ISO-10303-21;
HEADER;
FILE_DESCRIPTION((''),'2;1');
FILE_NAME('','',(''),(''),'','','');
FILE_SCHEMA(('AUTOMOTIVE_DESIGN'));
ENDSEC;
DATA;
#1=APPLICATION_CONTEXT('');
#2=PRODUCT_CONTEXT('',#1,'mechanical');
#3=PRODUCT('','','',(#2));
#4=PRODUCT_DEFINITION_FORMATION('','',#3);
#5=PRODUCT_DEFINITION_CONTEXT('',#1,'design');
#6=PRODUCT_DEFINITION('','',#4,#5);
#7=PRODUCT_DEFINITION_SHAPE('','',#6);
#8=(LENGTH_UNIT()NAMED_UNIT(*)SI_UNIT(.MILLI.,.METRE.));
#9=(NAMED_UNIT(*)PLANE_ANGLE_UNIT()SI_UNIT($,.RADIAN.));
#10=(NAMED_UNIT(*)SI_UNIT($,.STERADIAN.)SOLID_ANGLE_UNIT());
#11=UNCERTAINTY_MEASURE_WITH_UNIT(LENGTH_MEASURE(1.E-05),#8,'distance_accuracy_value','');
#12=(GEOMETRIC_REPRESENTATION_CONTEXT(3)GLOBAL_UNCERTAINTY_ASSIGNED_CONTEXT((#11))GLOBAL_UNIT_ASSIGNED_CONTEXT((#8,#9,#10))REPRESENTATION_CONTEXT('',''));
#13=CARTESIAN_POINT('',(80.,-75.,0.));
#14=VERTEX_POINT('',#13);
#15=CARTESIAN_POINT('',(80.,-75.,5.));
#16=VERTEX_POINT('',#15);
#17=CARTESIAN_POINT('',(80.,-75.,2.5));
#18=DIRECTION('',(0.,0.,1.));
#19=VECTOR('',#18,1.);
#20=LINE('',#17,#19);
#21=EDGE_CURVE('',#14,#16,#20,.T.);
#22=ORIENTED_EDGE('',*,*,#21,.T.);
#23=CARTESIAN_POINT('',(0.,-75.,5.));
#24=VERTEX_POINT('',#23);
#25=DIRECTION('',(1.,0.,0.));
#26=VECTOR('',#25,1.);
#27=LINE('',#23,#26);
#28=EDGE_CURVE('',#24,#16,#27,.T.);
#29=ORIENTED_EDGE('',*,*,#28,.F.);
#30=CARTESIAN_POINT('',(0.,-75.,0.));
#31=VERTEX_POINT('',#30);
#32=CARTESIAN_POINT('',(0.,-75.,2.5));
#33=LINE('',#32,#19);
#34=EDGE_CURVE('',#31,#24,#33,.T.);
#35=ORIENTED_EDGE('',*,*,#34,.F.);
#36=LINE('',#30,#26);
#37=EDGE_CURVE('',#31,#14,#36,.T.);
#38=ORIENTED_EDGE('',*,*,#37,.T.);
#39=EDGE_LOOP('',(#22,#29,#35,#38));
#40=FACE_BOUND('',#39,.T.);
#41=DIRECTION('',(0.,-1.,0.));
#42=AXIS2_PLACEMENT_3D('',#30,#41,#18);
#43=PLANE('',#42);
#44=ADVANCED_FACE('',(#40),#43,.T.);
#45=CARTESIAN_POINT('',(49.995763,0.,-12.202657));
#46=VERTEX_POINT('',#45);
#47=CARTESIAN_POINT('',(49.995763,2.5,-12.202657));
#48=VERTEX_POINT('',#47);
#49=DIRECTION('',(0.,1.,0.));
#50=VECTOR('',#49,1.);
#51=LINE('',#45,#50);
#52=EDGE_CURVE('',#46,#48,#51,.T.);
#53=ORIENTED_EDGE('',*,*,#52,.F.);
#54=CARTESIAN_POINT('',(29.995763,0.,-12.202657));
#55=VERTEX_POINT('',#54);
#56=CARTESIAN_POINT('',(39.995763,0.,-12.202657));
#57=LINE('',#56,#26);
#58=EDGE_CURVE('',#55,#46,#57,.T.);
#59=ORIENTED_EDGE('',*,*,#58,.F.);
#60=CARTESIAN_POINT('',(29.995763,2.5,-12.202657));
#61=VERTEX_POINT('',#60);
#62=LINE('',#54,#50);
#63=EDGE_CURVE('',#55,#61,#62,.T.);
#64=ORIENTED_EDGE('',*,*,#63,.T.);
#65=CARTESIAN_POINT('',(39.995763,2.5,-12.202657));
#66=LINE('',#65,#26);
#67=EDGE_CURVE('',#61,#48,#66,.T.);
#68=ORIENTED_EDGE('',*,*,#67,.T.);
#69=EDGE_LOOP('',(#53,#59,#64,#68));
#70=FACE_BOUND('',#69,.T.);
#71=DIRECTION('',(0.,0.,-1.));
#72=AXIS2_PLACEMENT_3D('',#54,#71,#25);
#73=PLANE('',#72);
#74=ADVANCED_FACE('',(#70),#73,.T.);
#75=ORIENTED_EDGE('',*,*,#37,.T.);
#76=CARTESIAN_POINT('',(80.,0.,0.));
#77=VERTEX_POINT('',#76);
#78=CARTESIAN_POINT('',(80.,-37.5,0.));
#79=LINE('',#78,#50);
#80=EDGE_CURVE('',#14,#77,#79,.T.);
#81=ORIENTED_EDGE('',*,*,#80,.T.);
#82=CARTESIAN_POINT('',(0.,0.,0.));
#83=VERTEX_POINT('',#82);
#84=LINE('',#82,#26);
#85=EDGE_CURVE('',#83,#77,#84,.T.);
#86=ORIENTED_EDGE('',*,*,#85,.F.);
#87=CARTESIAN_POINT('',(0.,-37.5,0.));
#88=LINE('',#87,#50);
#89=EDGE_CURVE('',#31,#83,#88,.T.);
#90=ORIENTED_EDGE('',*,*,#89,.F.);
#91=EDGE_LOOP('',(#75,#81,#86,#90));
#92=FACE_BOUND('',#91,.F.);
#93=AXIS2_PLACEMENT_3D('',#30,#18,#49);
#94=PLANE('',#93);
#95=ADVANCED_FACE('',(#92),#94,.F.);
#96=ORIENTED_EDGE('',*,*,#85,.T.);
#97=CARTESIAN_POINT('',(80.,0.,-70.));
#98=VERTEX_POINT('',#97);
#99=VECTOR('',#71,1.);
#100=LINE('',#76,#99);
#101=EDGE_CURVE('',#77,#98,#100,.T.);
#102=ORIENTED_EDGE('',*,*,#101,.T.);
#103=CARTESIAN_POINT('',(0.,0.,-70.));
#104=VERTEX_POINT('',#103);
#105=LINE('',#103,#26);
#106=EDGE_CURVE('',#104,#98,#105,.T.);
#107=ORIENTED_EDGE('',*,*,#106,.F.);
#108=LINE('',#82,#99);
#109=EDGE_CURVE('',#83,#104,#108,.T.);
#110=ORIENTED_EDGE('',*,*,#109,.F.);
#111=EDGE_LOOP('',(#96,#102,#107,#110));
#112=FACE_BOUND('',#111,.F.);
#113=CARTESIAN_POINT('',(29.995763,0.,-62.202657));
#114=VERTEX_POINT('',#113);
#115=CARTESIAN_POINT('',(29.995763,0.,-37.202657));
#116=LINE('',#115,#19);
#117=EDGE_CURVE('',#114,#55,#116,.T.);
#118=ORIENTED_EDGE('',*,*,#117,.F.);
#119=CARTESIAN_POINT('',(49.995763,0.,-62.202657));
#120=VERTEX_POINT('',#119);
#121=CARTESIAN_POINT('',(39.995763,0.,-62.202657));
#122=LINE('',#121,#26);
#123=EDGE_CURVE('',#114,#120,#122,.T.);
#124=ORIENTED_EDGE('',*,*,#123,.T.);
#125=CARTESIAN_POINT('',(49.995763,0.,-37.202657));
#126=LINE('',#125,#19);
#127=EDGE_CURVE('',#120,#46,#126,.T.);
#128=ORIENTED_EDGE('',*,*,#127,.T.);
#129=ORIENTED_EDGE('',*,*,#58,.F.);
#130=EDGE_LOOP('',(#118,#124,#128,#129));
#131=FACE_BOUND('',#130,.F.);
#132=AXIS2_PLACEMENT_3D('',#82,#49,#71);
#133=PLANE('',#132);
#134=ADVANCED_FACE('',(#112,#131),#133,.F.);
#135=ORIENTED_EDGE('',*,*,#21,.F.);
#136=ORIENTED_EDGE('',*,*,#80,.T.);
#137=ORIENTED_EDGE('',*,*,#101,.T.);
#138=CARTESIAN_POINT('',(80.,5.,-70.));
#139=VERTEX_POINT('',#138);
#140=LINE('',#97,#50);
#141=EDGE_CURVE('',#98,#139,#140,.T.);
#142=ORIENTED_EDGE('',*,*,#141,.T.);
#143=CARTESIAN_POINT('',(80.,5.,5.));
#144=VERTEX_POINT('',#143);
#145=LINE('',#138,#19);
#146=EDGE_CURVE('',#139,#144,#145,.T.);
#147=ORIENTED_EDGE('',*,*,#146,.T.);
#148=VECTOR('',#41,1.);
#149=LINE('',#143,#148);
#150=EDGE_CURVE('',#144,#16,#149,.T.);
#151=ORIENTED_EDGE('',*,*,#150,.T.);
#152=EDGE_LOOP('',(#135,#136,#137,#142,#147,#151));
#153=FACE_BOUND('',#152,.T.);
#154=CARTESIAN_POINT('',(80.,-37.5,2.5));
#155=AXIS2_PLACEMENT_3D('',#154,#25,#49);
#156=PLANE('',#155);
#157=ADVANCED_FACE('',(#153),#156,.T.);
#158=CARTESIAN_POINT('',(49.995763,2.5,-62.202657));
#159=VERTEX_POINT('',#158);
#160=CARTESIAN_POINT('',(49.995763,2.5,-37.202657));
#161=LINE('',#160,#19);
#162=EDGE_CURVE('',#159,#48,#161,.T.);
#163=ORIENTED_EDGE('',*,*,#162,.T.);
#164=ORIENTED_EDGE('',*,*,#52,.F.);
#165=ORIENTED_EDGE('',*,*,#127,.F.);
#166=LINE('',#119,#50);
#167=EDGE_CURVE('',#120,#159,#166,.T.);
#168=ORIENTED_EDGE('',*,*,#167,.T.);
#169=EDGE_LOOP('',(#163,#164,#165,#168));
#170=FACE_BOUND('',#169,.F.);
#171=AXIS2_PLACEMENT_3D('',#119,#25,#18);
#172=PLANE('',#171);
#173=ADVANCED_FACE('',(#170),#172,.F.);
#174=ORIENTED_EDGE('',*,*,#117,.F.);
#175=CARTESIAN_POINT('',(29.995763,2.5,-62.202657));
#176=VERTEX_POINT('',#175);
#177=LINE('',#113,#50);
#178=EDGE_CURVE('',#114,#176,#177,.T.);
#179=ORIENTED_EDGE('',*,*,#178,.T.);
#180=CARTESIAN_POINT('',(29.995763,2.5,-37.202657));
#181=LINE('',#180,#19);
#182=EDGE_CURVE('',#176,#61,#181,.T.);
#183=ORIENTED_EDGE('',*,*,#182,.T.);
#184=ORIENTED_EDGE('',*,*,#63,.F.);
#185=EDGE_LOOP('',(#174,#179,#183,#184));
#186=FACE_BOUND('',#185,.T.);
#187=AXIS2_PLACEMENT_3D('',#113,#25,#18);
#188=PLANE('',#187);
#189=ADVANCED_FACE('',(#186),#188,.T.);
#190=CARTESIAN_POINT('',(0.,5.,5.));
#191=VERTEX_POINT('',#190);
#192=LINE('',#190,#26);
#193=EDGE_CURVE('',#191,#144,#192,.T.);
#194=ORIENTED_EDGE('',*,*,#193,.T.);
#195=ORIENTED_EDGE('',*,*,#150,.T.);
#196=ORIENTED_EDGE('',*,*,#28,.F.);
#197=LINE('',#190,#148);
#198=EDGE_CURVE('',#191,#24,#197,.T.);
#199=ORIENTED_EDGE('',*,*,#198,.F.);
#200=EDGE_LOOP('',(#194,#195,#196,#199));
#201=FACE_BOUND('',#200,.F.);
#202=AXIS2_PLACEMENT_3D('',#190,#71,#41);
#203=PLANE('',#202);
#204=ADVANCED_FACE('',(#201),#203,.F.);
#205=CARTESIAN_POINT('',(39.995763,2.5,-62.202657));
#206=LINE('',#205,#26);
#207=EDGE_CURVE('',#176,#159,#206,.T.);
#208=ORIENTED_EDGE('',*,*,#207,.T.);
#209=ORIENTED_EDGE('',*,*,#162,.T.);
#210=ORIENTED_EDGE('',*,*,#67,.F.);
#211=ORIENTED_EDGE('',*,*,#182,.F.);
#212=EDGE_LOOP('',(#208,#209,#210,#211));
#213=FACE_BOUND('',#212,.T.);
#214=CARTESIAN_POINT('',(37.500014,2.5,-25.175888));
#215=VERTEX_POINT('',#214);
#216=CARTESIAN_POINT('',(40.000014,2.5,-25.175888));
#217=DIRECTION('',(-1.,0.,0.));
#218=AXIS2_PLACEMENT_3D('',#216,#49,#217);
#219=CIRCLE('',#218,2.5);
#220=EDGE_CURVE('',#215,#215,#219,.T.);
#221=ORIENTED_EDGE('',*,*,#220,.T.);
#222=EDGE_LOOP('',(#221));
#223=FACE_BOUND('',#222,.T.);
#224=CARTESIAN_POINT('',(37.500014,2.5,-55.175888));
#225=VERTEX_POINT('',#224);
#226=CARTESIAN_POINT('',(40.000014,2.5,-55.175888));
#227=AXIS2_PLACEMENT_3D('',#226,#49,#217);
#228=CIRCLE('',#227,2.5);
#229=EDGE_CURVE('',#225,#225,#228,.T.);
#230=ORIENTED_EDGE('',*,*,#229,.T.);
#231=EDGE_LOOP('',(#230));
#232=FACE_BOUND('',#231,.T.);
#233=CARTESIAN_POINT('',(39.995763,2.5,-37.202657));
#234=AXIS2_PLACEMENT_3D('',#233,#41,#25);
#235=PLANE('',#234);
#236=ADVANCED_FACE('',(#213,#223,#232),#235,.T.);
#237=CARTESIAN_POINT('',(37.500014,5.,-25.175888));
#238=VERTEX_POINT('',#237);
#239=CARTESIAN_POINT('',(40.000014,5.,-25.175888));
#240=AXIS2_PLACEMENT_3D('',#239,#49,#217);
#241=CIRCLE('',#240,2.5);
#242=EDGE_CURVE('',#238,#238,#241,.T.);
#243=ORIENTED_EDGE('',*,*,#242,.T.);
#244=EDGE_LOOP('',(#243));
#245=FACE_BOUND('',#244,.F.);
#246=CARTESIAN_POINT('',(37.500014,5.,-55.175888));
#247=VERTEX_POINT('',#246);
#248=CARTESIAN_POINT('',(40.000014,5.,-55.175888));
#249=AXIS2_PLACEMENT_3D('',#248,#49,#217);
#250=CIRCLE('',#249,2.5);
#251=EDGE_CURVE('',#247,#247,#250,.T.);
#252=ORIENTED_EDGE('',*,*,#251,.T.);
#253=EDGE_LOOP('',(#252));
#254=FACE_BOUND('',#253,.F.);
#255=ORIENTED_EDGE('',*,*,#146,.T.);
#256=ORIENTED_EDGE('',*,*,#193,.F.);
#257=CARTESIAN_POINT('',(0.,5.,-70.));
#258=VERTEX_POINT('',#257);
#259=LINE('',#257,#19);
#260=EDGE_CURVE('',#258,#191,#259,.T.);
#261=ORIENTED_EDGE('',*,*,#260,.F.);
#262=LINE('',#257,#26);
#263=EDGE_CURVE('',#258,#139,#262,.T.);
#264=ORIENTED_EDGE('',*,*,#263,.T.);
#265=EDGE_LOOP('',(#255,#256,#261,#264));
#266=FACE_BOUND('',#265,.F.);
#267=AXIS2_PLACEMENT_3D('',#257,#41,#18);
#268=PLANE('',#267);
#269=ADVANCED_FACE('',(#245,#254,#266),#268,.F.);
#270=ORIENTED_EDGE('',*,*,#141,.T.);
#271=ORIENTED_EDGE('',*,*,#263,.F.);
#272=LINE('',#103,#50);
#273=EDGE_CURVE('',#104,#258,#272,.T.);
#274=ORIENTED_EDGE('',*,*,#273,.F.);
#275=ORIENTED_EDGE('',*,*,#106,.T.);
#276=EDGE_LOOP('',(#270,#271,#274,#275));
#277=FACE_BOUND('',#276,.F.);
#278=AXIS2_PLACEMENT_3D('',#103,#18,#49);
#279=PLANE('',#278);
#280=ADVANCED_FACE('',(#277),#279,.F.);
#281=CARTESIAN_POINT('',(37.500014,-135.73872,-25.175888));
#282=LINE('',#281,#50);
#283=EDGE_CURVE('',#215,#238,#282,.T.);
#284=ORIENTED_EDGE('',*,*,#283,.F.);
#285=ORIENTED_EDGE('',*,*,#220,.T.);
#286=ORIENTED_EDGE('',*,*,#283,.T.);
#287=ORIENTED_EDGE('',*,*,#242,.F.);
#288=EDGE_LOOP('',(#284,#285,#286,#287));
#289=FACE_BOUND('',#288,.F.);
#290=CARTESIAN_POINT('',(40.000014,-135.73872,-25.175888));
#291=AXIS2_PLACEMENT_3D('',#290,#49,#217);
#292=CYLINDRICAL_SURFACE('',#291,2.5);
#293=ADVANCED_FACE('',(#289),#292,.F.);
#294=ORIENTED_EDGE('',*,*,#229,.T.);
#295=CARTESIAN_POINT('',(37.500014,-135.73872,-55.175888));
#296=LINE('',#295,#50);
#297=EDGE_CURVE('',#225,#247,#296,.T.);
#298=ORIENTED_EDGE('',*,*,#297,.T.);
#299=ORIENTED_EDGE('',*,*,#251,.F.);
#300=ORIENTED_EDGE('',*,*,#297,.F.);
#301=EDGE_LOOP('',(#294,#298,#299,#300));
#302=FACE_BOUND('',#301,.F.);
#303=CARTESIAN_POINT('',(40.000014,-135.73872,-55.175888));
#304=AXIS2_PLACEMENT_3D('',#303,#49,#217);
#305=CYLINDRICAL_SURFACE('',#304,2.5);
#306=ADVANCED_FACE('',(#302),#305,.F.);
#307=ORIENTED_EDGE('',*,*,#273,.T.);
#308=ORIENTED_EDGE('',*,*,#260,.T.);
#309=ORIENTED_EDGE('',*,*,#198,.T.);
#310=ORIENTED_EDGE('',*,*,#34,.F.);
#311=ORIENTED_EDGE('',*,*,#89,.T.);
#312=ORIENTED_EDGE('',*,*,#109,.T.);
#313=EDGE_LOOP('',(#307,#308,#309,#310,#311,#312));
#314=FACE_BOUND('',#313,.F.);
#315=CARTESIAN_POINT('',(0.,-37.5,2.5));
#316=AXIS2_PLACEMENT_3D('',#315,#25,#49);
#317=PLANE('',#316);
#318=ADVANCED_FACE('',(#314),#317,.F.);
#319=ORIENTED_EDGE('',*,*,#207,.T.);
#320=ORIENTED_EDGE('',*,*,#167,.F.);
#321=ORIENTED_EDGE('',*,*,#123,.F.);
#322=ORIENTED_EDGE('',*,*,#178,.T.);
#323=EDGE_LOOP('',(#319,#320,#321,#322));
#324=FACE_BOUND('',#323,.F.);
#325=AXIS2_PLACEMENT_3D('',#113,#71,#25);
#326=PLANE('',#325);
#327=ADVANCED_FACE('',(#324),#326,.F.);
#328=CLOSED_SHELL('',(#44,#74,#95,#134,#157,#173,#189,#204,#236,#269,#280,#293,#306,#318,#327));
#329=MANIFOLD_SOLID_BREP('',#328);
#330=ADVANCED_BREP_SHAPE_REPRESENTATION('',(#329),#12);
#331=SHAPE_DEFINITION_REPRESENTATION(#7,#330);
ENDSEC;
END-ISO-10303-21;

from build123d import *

# Parameters (mm, degrees)
F0_W     = 75
F0_H     = 5
F1_DEPTH = 80
F2_W     = 20
F2_H     = 50
F3_DEPTH = 2.5
F5_D     = 5


with BuildPart() as f1:
    # F0 (on Right) → F1 (new body)
    with BuildSketch(Plane.YZ):
        with Locations((-37.5, 2.5)):
            Rectangle(F0_W, F0_H)
        Polygon((5, 5), (0, 5), (0, 0), (0, -70), (5, -70), align=None)
    extrude(amount=F1_DEPTH)

    # F2 (on Front) → F3 (cut)
    with BuildSketch(Plane.XZ):
        with Locations((39.995763, -37.202657)):
            Rectangle(F2_W, F2_H)
    extrude(amount=-F3_DEPTH, mode=Mode.SUBTRACT)

    # F5 (through all)
    with Locations(Plane.XZ):
        with Locations((40.000014, -25.175888), (40.000014, -55.175888)):
            Hole(F5_D / 2)


solid = f1.part
